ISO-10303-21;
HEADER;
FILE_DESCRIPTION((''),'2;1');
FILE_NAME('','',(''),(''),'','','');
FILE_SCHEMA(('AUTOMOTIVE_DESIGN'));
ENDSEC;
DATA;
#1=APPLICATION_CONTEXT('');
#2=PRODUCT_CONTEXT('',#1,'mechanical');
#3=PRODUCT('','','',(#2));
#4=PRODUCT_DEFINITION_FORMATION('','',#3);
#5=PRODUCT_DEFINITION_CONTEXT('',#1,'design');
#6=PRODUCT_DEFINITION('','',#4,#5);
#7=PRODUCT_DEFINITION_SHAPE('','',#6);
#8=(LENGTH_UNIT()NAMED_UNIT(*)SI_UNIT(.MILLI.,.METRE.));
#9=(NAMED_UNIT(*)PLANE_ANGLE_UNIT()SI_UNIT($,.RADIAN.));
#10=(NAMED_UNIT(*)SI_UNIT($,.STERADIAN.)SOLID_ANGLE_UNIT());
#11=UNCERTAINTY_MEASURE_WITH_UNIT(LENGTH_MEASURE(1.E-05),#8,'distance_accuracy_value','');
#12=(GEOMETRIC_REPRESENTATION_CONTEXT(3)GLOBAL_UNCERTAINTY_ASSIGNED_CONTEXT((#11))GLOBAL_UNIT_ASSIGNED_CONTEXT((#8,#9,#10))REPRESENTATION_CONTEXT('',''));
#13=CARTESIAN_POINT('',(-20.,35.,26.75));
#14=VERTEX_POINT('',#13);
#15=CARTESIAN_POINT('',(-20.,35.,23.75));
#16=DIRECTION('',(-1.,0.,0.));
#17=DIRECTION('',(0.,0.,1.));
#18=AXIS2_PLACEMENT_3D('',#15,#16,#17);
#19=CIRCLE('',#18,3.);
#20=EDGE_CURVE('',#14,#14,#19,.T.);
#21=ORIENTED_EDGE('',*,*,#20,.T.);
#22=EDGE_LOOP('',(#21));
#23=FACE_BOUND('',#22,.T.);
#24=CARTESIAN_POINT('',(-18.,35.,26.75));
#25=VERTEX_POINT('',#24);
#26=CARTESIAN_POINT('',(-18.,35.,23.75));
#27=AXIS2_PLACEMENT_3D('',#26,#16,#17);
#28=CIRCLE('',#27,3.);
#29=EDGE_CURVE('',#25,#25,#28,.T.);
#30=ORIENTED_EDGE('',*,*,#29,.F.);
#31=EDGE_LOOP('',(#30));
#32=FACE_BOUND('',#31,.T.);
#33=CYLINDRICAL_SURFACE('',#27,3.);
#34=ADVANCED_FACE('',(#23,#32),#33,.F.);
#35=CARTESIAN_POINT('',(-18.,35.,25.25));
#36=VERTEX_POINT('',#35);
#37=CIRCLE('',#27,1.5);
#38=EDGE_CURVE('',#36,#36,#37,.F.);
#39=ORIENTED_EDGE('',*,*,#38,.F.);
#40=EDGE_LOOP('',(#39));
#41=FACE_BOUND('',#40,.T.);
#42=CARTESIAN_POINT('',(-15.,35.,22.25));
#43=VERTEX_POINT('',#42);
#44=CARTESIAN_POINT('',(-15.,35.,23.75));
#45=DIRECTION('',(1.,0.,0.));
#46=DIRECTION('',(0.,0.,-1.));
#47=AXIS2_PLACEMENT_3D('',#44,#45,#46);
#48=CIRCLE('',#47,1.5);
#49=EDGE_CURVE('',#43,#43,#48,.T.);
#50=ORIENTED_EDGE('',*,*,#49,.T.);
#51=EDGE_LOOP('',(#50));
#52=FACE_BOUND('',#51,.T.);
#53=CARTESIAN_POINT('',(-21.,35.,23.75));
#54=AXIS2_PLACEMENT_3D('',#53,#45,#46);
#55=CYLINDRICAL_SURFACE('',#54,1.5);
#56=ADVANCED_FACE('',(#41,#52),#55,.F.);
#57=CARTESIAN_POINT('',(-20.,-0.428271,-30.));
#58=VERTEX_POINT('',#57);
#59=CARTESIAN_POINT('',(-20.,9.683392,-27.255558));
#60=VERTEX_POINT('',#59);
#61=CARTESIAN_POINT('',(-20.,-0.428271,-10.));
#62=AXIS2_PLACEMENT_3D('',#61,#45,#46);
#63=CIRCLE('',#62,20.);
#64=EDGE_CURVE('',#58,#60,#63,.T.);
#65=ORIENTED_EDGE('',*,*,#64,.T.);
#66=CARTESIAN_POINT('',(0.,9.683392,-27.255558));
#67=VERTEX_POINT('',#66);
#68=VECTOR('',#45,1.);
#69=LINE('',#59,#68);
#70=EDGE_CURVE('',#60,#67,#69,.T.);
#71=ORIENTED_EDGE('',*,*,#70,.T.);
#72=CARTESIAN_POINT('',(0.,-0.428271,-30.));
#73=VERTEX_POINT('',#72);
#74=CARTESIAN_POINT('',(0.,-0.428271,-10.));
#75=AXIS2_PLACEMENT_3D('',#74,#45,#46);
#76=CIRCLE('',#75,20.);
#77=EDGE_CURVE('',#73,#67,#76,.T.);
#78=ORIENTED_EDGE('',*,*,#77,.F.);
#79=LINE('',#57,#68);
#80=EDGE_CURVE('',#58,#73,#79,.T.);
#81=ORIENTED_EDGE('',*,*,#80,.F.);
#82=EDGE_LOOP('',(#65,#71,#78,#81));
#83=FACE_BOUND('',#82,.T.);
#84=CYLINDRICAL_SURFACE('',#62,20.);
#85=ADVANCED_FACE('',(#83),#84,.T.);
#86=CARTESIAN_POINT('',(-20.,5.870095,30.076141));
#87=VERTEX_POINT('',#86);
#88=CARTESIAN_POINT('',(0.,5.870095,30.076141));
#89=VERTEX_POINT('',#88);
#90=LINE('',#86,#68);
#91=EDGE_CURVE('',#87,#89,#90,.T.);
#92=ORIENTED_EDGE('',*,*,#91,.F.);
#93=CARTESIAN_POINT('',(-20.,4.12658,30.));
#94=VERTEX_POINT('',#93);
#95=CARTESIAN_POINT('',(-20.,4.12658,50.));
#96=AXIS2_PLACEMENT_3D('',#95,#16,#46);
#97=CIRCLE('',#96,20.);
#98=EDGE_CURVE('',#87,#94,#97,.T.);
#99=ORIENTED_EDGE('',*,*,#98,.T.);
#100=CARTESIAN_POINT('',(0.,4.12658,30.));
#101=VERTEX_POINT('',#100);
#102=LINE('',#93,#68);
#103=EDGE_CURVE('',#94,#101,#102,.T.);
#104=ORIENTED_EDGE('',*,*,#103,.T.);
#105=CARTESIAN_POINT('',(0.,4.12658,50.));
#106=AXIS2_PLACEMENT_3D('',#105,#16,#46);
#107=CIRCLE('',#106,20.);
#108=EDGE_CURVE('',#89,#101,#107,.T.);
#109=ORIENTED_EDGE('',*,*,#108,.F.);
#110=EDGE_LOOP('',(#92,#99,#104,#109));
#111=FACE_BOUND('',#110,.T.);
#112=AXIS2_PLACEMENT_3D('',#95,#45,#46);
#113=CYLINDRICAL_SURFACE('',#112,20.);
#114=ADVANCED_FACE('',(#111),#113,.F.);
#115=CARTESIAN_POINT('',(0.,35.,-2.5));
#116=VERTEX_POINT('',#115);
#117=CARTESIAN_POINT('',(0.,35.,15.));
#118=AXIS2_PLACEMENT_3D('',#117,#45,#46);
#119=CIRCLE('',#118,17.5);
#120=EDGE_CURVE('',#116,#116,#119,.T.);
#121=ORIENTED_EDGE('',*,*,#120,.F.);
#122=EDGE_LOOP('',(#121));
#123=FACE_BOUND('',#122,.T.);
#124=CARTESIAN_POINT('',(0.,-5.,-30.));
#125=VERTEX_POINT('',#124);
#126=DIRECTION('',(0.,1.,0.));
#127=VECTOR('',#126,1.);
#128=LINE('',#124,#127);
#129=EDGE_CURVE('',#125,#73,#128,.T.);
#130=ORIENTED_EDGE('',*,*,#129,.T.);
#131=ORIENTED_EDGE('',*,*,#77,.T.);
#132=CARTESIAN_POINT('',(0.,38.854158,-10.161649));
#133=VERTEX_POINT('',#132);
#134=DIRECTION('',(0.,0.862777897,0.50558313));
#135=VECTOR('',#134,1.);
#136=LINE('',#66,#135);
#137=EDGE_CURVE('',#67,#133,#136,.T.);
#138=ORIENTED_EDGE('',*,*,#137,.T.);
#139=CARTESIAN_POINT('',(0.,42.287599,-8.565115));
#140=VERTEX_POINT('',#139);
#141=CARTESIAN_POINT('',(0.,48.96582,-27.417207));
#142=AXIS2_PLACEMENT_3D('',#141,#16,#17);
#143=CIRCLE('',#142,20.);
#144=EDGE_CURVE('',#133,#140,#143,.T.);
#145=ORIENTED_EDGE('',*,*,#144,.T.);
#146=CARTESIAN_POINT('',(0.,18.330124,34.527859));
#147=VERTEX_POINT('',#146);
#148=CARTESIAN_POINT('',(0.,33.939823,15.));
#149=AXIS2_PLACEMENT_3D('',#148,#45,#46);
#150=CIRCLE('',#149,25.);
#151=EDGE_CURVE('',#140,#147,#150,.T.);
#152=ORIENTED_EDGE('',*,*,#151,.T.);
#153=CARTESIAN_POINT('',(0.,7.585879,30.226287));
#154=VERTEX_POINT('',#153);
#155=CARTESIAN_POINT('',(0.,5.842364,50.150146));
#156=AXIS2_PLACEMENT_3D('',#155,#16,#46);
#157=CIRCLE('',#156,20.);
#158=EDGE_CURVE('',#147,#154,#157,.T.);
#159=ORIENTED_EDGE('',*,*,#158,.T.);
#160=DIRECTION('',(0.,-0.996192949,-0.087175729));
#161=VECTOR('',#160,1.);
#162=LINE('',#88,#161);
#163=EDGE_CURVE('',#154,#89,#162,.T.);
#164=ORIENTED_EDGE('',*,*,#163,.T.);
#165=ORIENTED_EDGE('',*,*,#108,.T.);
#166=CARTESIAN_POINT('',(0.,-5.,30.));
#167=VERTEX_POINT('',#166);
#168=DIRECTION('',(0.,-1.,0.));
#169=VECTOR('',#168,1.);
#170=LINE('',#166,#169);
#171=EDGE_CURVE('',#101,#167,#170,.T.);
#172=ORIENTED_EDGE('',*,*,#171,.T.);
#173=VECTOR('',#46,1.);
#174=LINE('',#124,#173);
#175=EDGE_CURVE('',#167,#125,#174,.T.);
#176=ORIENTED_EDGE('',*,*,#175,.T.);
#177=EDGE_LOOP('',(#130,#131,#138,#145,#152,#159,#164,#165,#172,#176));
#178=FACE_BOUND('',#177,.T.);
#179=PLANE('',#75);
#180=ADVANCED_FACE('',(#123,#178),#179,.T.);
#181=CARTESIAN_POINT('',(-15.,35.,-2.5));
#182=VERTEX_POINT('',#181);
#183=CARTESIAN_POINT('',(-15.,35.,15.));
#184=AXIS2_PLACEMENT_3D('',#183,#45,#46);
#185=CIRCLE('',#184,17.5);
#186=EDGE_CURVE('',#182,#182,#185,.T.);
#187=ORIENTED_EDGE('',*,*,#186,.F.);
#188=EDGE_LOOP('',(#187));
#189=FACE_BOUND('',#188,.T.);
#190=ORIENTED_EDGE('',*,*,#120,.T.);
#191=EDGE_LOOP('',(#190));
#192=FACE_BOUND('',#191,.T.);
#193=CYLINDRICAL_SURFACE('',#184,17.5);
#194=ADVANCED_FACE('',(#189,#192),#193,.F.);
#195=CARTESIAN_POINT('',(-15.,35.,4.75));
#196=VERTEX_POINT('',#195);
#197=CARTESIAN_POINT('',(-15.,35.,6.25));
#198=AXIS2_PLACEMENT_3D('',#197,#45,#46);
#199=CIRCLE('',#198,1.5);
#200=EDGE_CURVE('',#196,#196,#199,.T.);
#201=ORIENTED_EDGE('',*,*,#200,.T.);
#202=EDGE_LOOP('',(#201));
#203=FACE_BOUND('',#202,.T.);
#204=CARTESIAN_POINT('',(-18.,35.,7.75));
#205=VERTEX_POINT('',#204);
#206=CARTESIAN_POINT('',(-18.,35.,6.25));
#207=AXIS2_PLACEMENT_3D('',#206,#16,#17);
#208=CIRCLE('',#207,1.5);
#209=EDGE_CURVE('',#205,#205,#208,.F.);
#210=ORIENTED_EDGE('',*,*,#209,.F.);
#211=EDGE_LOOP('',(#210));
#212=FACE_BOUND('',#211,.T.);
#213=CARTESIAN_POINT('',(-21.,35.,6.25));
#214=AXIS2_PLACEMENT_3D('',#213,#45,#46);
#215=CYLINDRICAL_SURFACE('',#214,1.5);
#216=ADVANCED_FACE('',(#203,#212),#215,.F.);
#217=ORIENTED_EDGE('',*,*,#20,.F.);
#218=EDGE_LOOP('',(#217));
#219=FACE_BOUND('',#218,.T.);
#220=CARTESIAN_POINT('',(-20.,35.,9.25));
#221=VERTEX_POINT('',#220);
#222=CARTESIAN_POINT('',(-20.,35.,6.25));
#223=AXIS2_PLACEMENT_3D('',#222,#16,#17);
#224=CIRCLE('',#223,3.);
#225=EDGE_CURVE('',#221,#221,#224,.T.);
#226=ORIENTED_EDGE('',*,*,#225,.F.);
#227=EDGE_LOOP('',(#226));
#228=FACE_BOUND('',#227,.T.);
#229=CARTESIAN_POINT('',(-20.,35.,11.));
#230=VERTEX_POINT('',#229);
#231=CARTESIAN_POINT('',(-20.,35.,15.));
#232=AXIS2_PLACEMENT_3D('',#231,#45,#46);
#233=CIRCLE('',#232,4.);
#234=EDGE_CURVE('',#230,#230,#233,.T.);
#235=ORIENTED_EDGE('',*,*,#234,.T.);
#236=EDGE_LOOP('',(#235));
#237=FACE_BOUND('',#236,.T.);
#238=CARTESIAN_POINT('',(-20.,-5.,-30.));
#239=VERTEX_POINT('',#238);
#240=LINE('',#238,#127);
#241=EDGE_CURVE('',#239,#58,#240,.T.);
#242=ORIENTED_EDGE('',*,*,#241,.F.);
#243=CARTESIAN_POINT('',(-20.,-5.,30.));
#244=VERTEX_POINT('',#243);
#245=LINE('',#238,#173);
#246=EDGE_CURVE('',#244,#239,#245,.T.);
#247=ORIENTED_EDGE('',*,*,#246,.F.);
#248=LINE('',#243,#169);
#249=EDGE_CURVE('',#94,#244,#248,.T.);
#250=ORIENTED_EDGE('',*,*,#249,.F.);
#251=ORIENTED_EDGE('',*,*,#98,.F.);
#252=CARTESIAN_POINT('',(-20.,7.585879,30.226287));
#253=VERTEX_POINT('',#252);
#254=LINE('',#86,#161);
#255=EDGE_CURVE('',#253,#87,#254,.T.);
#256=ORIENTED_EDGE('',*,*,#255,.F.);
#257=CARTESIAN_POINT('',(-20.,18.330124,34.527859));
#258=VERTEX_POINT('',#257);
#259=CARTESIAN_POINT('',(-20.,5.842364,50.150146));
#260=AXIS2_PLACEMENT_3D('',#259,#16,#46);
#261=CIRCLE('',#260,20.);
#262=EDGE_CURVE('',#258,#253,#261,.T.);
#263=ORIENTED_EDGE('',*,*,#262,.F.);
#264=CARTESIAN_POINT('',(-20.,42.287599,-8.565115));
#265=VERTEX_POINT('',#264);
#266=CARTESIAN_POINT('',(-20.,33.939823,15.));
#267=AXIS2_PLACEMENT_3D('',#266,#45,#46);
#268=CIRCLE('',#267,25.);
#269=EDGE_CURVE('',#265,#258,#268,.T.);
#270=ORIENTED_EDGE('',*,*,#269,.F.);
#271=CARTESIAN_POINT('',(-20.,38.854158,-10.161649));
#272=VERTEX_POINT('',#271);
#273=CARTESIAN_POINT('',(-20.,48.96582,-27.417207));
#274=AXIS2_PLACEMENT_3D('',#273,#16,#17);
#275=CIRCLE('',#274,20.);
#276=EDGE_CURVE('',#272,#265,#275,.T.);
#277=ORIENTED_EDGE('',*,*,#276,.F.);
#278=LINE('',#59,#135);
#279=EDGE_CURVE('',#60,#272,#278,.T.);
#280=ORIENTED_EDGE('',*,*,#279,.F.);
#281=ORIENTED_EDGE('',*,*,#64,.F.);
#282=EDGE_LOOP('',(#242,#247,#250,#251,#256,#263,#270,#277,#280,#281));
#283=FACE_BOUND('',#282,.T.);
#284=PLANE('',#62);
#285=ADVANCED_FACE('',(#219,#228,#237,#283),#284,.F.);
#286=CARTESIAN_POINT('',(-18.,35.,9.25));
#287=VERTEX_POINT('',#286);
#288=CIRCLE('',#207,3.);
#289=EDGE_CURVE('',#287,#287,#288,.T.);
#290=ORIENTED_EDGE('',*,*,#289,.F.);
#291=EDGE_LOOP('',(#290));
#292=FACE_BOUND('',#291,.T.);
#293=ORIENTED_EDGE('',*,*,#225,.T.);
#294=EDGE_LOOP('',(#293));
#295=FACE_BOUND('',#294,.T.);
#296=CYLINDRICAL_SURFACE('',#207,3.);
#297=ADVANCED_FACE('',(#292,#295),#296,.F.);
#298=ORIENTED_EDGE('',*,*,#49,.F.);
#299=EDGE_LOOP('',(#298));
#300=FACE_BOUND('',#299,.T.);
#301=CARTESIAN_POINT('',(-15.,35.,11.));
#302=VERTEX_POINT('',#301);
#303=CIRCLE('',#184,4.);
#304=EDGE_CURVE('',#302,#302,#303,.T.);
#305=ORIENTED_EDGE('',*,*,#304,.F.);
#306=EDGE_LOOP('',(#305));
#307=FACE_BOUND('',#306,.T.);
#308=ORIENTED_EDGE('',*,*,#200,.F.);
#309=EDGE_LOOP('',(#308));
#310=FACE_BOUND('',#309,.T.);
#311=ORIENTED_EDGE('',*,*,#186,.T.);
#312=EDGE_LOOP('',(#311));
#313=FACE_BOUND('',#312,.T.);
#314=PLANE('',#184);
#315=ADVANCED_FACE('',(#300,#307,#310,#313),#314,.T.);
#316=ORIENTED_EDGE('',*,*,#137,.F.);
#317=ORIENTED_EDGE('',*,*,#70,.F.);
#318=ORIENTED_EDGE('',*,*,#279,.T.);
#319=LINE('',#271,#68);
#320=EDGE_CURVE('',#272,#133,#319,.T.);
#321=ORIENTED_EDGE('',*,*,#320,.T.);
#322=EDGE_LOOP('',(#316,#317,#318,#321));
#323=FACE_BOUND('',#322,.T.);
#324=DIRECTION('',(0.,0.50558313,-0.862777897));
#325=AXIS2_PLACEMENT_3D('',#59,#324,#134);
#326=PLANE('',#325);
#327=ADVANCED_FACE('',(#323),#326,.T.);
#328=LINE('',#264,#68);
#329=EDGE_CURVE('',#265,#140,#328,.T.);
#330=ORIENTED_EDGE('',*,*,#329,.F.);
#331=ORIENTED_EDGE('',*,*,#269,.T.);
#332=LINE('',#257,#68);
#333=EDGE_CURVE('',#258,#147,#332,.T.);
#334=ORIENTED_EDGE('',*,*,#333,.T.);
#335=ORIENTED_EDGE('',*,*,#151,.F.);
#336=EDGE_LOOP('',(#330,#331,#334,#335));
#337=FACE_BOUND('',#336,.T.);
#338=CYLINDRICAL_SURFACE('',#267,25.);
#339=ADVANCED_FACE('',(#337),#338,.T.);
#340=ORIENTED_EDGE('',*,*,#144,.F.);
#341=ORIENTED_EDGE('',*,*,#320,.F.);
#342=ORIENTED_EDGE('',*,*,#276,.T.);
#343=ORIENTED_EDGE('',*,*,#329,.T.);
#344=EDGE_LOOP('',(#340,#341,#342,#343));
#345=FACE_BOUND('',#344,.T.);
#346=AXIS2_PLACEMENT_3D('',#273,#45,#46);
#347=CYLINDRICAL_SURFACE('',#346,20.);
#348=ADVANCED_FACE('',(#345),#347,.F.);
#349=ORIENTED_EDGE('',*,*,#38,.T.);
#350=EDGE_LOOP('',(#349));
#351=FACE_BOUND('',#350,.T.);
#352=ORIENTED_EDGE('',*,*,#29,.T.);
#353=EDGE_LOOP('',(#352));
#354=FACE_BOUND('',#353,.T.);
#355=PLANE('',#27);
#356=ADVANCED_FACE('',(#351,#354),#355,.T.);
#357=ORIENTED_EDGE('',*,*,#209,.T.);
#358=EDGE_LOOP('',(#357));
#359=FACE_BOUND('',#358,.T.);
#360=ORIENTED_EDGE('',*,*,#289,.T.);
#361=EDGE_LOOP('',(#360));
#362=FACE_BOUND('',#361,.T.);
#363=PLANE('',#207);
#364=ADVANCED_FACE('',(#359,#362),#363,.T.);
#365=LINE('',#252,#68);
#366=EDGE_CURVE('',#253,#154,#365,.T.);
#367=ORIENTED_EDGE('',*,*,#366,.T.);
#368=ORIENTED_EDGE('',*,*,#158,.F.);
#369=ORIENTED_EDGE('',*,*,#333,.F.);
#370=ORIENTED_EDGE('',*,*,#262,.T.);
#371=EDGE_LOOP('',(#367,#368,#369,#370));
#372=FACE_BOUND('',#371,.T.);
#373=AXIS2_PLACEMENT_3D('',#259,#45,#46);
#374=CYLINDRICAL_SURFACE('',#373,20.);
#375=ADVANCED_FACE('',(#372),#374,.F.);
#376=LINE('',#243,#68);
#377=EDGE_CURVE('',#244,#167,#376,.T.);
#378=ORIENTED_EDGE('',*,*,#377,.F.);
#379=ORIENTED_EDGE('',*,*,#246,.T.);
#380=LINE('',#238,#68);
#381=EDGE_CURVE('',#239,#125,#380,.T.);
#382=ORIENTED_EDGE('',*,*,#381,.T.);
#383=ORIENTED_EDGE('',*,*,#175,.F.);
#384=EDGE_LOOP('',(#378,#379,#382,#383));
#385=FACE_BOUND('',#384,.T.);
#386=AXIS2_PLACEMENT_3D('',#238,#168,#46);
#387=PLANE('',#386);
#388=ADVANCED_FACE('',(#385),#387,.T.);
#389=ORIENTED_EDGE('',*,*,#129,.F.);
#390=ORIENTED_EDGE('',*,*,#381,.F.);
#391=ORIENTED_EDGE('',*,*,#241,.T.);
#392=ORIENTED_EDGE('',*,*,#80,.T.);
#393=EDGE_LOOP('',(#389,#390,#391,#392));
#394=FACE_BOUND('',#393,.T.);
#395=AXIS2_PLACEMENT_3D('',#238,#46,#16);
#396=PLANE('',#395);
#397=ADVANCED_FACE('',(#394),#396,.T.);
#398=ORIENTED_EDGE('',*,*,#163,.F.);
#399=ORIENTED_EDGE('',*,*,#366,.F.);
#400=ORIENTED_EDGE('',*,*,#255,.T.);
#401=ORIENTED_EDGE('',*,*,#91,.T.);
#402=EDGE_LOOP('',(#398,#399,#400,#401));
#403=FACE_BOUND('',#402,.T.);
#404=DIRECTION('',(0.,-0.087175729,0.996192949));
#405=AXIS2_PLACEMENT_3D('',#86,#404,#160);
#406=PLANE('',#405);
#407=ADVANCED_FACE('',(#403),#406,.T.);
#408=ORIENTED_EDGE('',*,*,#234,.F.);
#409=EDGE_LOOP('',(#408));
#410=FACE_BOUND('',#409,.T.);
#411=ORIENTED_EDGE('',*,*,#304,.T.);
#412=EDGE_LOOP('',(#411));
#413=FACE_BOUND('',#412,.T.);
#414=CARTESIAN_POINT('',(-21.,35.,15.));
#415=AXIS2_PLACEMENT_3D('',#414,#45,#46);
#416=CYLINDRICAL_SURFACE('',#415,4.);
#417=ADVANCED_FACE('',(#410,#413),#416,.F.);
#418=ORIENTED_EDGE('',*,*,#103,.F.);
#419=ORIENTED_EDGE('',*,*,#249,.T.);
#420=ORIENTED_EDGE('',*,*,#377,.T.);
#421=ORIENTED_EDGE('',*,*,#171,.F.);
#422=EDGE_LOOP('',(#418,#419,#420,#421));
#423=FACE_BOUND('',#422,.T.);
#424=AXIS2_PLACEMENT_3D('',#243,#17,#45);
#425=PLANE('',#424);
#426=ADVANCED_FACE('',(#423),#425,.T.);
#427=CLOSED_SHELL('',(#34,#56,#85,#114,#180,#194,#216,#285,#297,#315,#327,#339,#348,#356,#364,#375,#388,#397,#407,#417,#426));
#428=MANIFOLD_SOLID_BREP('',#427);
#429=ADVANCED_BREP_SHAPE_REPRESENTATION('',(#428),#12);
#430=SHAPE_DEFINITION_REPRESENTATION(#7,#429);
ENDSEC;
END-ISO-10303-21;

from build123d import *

# Parameters (mm, degrees)
SALIENTE_EXTRUIR1_DEPTH = 20
CROQUIS5_R              = 17.5
CORTAR_EXTRUIR1_DEPTH   = 15
CROQUIS6_R              = 4
CROQUIS6_R_2            = 1.5
CORTAR_EXTRUIR2_DEPTH   = 6
CROQUIS7_R              = 3
CORTAR_EXTRUIR3_DEPTH   = 2


with BuildPart() as part:
    # Croquis3 → Saliente-Extruir1 (new body)
    with BuildSketch(Plane(origin=(0, 0, 0), x_dir=(0, 0, -1), z_dir=(1, 0, 0))):
        with BuildLine():
            Line((27.255557931, 9.68339194), (10.161648688, 38.854157713))
            ThreePointArc((10.161648688, 38.854157713), (9.28194474, 40.533010779), (8.565114788, 42.287599469))
            ThreePointArc((8.565114788, 42.287599469), (-27.147634239, 55.790109054), (-34.527859081, 18.330123878))
            ThreePointArc((-34.527859081, 18.330123878), (-31.582921761, 13.275948256), (-30.226287359, 7.585878825))
            Line((-30.226287359, 7.585878825), (-30.076141014, 5.870094713))
            ThreePointArc((-30.076141014, 5.870094713), (-30.019044321, 4.999168316), (-30, 4.126580134))
            Line((-30, 4.126580134), (-30, -5))
            Line((-30, -5), (30, -5))
            Line((30, -5), (30, -0.428270658))
            ThreePointArc((30, -0.428270658), (29.301698871, 4.810471624), (27.255557931, 9.68339194))
        make_face()
    extrude(amount=-SALIENTE_EXTRUIR1_DEPTH)

    # Croquis5 → Cortar-Extruir1 (cut)
    with BuildSketch(Plane(origin=(0, 0, 0), x_dir=(0, 0, -1), z_dir=(1, 0, 0))):
        with Locations((-15, 35)):
            Circle(CROQUIS5_R)
    extrude(amount=-CORTAR_EXTRUIR1_DEPTH, mode=Mode.SUBTRACT)

    # Croquis6 → Cortar-Extruir2 (cut)
    with BuildSketch(Plane(origin=(-15, 0, 0), x_dir=(0, 0, -1), z_dir=(1, 0, 0))):
        with Locations((-15, 35)):
            Circle(CROQUIS6_R)
        with Locations((-6.25, 35)):
            Circle(CROQUIS6_R_2)
        with Locations((-23.75, 35)):
            Circle(CROQUIS6_R_2)
    extrude(amount=-CORTAR_EXTRUIR2_DEPTH, mode=Mode.SUBTRACT)

    # Croquis7 → Cortar-Extruir3 (cut)
    with BuildSketch(Plane.ZY.offset(20)):
        with Locations((6.25, 35)):
            Circle(CROQUIS7_R)
        with Locations((23.75, 35)):
            Circle(CROQUIS7_R)
    extrude(amount=-CORTAR_EXTRUIR3_DEPTH, mode=Mode.SUBTRACT)


solid = part.part
